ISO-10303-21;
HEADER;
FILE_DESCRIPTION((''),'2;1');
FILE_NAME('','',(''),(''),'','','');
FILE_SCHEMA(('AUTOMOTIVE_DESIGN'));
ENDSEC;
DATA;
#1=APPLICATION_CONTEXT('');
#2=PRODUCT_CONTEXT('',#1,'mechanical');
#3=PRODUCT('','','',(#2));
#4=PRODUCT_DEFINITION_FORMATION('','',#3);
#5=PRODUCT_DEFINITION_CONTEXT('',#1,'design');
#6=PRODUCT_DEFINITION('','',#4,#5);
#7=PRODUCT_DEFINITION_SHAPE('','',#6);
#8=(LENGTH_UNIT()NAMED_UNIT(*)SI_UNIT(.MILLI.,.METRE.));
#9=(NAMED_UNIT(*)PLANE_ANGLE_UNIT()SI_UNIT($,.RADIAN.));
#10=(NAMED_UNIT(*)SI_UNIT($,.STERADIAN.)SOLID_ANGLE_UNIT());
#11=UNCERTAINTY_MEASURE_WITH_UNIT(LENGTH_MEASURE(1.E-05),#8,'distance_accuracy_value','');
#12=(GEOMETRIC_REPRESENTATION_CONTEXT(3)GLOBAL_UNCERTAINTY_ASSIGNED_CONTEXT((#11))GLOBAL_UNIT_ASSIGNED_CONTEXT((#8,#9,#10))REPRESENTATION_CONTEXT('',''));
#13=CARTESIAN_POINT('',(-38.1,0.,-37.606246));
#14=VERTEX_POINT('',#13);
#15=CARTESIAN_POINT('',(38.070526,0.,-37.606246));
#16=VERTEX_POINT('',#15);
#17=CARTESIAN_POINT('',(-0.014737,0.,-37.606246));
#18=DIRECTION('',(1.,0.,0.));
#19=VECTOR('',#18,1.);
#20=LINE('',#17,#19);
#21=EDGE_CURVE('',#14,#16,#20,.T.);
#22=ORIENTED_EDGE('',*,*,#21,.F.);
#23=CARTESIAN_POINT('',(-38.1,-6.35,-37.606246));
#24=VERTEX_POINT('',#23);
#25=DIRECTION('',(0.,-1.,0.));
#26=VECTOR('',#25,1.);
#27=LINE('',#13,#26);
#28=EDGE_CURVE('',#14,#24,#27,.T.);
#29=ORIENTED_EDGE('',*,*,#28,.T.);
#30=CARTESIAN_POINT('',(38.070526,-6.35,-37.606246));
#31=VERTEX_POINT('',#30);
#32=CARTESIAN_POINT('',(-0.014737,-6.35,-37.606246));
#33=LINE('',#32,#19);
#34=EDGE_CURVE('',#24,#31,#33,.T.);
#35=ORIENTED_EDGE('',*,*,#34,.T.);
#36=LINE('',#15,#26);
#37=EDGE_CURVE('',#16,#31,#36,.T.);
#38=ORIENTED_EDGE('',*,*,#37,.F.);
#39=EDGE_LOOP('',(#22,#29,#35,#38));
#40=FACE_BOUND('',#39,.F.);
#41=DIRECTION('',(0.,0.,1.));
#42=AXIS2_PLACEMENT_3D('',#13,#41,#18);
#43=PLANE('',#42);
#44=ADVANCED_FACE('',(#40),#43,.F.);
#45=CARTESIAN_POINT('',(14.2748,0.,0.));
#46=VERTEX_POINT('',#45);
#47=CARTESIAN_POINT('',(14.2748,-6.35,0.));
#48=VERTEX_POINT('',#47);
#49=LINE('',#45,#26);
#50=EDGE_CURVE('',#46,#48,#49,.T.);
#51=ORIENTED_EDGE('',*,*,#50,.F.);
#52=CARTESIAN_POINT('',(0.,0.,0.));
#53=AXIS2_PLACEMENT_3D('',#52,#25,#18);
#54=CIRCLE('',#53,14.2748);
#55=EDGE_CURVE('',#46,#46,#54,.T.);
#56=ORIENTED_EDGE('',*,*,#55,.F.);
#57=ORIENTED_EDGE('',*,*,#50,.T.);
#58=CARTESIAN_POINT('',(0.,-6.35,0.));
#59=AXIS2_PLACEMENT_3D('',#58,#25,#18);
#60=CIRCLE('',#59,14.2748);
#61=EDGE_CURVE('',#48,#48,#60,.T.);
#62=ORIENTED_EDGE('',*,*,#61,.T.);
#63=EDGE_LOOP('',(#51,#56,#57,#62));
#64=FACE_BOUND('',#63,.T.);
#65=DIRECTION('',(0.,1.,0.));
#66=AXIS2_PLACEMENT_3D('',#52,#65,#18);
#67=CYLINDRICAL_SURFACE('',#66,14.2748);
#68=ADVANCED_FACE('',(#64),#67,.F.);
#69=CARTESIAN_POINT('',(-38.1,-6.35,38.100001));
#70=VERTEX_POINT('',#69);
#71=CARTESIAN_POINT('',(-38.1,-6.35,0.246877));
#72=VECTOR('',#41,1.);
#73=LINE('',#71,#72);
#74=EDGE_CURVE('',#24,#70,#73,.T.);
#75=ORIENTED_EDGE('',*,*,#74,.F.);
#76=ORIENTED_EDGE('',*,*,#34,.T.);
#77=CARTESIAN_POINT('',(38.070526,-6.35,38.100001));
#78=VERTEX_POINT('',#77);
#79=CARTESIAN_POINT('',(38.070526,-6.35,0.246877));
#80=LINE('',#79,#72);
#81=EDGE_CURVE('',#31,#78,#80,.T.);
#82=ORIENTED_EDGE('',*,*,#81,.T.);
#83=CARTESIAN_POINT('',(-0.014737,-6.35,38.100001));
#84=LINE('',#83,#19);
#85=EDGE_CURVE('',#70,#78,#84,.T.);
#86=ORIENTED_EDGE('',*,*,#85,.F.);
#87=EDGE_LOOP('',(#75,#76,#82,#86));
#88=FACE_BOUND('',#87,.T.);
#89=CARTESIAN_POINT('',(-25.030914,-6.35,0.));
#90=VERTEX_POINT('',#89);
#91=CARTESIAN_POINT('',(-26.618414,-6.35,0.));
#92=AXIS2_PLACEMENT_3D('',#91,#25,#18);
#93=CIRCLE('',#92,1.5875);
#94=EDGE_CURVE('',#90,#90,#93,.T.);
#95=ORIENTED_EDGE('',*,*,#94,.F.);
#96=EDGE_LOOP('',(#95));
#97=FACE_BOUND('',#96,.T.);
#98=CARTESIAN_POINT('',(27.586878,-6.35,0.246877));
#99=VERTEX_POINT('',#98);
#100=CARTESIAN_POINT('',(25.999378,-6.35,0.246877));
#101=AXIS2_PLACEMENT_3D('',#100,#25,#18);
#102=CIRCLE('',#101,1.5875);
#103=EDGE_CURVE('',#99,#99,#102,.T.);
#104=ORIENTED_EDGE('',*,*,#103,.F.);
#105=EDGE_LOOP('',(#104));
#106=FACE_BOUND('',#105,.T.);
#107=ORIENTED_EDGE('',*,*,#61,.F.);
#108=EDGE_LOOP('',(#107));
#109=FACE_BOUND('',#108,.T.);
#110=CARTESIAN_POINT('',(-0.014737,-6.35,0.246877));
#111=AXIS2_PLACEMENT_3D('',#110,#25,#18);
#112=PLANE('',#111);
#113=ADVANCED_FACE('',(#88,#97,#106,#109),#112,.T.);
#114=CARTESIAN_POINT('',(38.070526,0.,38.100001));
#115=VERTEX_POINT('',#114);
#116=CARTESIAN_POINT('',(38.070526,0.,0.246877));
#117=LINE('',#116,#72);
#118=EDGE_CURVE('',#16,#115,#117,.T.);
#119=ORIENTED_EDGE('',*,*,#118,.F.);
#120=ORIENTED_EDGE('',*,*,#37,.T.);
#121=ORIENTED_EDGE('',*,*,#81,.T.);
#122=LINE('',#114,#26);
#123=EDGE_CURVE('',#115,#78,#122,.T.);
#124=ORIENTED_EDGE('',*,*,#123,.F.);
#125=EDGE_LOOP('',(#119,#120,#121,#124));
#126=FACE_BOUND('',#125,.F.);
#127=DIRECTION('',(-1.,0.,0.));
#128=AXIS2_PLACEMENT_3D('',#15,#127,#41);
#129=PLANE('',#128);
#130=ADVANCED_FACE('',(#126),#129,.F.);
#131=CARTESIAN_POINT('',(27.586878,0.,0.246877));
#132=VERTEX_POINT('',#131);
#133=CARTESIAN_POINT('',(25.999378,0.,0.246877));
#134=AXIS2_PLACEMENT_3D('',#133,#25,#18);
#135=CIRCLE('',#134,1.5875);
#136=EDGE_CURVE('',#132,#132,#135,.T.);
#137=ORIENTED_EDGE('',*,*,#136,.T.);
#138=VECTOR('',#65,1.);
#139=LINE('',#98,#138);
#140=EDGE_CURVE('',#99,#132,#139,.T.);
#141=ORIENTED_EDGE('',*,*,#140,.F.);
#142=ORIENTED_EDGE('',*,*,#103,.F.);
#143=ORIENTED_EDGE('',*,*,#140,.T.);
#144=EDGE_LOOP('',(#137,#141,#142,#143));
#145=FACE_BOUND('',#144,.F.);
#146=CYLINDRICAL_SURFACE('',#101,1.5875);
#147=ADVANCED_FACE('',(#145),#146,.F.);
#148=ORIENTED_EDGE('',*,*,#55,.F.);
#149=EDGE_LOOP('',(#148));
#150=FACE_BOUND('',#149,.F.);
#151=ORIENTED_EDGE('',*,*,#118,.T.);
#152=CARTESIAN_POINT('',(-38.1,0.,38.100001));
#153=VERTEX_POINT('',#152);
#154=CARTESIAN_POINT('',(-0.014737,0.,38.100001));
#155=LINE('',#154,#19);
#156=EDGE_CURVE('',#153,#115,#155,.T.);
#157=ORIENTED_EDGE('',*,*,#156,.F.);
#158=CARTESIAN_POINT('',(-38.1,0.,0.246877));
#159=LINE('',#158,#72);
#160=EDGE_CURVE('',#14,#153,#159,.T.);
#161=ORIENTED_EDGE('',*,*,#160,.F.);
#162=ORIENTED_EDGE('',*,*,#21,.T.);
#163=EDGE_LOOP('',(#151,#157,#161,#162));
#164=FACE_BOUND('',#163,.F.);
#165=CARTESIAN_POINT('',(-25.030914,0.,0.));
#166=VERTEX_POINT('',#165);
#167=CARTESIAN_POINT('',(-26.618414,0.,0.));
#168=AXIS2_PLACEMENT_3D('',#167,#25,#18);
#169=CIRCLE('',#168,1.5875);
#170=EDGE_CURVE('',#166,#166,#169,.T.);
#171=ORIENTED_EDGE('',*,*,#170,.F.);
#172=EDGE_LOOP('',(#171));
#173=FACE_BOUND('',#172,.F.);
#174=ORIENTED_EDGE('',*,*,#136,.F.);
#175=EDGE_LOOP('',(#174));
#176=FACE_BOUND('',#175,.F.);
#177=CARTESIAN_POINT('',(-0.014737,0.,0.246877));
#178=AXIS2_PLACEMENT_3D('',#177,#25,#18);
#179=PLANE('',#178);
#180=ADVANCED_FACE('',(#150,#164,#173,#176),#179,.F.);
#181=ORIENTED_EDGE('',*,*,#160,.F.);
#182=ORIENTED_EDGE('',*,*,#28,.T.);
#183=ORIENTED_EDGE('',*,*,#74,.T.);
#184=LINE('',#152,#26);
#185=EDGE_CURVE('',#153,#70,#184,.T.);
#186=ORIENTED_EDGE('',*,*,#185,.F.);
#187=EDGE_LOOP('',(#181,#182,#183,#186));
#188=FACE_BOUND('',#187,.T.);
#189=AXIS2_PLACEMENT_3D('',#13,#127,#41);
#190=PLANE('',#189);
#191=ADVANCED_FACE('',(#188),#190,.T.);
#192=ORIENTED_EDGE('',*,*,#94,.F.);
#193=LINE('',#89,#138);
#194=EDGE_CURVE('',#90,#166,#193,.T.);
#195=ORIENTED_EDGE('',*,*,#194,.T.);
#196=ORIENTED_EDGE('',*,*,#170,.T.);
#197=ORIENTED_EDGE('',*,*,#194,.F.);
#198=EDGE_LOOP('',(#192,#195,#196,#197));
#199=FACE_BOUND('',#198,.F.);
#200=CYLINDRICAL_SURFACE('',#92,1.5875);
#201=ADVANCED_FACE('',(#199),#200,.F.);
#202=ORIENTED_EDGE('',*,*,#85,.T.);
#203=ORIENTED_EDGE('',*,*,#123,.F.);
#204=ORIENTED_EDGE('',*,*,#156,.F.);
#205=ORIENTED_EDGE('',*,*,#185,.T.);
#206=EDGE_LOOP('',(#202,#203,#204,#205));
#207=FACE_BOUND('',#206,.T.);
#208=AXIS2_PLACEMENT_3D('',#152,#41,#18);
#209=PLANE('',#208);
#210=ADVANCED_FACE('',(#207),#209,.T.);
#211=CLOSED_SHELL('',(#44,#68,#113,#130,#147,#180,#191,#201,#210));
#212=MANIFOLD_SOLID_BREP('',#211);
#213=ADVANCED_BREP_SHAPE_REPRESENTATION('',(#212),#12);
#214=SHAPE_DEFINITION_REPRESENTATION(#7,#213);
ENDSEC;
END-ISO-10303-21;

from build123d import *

# Parameters (mm, degrees)
F0_W     = 76.170526
F0_H     = 75.706247
F0_R     = 14.2748
F1_DEPTH = 6.35
F2_R     = 1.5875
F3_DEPTH = 6.35
F4_R     = 1.5875
F5_DEPTH = 6.35


with BuildPart() as f1:
    # F0 (on Front) → F1 (new body)
    with BuildSketch(Plane.XZ):
        with Locations((-0.014737, 0.246877)):
            Rectangle(F0_W, F0_H)
        Circle(F0_R, mode=Mode.SUBTRACT)
    extrude(amount=F1_DEPTH)

    # F2 (on face) → F3 (cut)
    with BuildSketch(Plane.XZ.offset(6.35)):
        with Locations((-26.618414, 0)):
            Circle(F2_R)
    extrude(amount=-F3_DEPTH, mode=Mode.SUBTRACT)

    # F4 (on face) → F5 (cut)
    with BuildSketch(Plane.XZ.offset(6.35)):
        with Locations((25.999378, 0.246877)):
            Circle(F4_R)
    extrude(amount=-F5_DEPTH, mode=Mode.SUBTRACT)


solid = f1.part
